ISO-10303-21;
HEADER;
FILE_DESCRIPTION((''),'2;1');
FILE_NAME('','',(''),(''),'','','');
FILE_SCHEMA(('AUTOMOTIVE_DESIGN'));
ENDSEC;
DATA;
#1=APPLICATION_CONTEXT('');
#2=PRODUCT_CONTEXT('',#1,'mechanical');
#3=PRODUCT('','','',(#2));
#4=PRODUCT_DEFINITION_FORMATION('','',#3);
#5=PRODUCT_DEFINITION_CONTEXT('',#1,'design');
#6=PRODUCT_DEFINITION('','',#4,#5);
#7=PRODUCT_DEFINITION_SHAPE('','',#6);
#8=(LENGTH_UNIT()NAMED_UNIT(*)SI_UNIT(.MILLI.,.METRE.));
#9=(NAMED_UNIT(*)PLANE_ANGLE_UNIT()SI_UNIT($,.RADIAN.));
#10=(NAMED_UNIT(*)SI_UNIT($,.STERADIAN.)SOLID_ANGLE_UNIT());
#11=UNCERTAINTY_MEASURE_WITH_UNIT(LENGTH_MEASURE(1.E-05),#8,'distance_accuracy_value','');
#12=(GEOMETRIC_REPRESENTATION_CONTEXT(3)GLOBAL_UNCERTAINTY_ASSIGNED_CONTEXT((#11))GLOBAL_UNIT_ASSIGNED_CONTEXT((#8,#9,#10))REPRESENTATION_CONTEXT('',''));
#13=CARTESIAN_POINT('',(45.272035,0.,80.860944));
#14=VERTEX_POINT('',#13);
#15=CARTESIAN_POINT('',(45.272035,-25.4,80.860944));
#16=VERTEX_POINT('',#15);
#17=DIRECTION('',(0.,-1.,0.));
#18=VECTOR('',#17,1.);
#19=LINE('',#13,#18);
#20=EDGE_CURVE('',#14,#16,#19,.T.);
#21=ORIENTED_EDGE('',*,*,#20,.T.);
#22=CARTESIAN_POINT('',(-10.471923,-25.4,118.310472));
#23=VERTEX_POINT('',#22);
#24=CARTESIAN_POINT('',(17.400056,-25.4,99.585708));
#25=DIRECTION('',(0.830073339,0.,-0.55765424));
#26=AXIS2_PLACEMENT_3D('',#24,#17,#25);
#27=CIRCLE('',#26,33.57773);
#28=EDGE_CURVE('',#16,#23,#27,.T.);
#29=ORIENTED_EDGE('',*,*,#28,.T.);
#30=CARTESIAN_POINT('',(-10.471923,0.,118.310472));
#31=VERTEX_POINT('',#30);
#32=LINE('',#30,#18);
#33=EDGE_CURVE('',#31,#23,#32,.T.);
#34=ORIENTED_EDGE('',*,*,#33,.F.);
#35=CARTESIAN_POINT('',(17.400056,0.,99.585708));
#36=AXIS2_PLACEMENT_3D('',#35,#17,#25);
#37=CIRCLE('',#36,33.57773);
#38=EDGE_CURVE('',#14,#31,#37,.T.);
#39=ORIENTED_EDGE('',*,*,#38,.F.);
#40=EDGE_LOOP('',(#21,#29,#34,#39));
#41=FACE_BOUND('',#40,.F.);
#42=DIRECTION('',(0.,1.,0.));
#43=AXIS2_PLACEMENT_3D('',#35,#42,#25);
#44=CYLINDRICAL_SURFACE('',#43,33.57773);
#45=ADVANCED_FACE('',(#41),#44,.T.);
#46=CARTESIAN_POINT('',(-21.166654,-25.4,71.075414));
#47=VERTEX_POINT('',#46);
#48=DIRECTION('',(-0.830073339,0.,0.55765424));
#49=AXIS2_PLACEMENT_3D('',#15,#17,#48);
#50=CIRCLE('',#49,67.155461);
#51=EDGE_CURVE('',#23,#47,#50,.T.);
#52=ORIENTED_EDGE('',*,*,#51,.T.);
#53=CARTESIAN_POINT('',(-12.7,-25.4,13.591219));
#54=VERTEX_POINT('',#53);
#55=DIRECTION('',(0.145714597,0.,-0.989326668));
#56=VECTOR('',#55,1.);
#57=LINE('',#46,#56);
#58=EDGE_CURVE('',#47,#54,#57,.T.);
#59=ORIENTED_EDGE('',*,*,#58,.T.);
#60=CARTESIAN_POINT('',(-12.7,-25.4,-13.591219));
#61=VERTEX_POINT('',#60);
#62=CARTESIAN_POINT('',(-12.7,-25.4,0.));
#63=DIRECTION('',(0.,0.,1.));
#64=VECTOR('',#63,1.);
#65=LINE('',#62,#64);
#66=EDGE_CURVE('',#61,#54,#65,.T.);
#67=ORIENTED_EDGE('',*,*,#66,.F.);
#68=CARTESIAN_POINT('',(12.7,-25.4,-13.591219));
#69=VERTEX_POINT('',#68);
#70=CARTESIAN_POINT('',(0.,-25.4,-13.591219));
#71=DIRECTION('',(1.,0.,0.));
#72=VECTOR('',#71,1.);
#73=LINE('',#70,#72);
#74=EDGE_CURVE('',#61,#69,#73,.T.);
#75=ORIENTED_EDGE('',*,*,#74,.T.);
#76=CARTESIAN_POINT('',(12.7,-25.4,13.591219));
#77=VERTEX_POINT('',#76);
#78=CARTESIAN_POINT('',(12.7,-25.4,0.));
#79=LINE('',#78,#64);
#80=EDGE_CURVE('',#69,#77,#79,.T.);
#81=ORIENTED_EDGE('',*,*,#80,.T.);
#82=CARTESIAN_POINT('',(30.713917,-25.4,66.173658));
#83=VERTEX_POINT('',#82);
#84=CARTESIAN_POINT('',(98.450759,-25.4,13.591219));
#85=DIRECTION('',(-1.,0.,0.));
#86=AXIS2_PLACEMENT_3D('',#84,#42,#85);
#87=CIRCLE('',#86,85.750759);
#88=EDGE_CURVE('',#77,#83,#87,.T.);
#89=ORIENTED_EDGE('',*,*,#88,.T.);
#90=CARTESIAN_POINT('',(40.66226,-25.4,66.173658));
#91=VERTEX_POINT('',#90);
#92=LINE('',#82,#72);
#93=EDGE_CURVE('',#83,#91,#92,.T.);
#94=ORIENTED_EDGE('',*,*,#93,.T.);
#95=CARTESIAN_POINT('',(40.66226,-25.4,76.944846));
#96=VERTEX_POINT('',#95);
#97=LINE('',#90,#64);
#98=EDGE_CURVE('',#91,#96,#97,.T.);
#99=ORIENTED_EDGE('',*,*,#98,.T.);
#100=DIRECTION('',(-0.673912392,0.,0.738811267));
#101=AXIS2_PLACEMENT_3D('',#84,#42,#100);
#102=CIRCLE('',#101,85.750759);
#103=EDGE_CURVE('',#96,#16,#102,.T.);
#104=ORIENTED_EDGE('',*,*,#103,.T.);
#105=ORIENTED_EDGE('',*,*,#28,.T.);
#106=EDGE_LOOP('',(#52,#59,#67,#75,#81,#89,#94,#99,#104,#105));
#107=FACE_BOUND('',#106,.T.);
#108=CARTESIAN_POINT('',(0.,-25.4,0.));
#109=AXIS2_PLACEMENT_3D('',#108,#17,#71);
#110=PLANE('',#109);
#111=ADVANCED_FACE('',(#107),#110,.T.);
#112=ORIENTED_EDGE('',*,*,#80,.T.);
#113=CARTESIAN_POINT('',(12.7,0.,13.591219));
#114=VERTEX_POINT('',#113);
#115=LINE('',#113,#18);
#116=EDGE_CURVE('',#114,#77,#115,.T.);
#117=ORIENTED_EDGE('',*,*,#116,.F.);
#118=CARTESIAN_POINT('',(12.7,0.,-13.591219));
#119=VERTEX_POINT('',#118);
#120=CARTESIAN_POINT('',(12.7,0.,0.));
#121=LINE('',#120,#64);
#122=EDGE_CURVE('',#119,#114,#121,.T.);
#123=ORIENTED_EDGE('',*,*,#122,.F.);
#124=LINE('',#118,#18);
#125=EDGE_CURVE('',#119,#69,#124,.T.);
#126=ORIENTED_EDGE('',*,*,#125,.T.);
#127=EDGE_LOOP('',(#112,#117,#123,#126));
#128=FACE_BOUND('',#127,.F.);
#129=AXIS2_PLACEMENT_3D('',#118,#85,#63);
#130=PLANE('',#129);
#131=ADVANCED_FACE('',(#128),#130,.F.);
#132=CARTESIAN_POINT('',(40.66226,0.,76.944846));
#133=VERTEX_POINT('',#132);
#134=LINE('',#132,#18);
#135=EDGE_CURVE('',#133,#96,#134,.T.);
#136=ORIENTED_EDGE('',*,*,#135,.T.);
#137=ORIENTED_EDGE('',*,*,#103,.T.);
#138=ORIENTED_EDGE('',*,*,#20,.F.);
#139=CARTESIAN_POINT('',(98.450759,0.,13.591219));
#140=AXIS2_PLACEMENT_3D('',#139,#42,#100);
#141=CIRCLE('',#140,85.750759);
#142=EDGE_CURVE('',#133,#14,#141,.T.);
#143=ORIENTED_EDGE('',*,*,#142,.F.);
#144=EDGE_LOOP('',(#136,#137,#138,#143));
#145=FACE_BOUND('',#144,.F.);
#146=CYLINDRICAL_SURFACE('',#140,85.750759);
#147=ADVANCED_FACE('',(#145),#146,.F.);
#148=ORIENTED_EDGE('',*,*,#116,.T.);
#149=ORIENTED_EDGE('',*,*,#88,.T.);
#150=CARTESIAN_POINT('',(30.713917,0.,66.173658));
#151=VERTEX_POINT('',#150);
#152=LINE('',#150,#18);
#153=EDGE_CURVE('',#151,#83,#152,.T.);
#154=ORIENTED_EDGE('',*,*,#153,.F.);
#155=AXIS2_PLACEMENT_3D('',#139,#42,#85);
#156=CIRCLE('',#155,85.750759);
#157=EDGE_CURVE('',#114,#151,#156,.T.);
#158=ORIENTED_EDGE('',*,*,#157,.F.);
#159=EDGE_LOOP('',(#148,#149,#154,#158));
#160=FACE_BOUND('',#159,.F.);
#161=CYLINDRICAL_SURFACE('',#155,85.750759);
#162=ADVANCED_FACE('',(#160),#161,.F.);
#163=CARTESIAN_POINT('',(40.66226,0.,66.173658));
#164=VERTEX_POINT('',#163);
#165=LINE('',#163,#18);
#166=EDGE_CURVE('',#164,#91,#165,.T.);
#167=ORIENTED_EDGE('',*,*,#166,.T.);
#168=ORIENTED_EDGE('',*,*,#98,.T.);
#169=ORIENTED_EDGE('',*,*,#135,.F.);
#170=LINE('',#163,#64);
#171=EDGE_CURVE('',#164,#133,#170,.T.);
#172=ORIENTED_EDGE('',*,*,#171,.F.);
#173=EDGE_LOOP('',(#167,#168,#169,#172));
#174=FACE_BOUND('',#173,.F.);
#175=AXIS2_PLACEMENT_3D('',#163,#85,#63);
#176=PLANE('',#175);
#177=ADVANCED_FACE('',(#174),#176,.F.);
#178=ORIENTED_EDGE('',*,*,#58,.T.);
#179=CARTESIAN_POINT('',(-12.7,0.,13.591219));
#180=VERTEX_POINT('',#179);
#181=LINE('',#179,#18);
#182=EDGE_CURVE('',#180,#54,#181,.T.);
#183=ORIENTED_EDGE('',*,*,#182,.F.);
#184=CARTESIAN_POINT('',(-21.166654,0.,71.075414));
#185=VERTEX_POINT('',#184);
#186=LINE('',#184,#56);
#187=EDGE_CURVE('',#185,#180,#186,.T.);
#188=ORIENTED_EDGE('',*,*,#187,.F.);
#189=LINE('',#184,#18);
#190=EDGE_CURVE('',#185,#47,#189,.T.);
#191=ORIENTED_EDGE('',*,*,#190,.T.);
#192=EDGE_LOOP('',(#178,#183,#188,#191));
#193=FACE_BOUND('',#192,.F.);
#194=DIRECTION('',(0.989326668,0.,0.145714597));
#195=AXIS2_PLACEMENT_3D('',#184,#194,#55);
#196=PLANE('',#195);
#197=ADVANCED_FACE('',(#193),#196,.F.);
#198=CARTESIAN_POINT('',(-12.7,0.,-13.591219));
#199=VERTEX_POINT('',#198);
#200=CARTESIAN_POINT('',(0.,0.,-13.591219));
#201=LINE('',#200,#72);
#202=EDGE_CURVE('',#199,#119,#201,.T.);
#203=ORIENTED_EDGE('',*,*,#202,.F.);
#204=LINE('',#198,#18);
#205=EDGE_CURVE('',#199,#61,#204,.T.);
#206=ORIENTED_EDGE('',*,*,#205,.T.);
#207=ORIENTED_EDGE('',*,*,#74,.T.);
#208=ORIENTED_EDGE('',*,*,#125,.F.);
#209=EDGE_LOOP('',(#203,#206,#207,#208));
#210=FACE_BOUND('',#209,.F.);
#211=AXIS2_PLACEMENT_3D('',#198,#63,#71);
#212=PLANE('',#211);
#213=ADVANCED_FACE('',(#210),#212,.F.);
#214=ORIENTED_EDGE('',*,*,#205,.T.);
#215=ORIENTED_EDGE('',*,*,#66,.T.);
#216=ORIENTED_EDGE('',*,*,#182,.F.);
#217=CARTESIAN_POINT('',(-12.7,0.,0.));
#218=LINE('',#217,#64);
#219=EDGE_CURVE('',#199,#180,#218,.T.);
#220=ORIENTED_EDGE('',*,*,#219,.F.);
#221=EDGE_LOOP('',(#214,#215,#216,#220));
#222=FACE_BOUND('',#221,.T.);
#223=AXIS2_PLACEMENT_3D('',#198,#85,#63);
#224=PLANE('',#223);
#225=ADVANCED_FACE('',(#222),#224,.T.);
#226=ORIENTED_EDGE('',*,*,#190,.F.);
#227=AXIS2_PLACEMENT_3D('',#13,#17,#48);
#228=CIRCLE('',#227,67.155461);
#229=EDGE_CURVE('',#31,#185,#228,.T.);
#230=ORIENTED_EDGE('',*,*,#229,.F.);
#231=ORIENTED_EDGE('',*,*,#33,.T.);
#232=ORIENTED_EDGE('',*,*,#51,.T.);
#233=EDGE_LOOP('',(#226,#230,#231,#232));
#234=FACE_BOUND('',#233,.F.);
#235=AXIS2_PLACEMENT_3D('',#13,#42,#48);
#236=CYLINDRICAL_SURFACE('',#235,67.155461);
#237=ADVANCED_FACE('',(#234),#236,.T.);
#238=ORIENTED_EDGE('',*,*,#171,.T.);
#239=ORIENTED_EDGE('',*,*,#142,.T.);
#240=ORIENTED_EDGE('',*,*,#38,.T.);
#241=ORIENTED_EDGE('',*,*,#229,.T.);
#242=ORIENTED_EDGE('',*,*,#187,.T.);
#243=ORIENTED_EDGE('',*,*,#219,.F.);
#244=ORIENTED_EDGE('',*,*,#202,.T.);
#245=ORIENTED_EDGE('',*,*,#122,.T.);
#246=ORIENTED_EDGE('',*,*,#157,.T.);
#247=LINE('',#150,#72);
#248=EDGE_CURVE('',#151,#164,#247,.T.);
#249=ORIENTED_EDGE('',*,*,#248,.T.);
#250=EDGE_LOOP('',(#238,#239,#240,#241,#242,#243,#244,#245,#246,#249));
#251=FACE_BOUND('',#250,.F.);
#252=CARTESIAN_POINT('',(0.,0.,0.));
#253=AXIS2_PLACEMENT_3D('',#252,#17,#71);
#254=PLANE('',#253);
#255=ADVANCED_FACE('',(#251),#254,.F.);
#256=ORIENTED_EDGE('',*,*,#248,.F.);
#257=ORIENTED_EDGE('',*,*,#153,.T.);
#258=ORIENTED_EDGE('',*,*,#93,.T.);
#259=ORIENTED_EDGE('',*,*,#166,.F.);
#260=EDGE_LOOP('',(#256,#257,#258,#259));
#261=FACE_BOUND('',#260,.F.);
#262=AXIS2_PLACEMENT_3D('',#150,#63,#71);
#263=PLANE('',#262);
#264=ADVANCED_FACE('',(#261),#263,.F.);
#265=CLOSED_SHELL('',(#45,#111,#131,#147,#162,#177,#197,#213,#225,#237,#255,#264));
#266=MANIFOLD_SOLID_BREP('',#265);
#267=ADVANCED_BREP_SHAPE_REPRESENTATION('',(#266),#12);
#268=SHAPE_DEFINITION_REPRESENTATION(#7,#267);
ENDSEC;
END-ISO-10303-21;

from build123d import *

# Parameters (mm, degrees)
F0_W     = 25.4
F0_H     = 27.1824385993
F1_DEPTH = 25.4


with BuildPart() as f1:
    # F0 (on Front) → F1 (new body)
    with BuildSketch(Plane.XZ):
        Rectangle(F0_W, F0_H)
        with BuildLine():
            Line((-12.7, 13.5912192996), (12.7, 13.5912192996))
            ThreePointArc((12.7, 13.5912192996), (17.3283875058, 41.3824681099), (30.7139166393, 66.1736578989))
            Line((30.7139166393, 66.1736578989), (21.6122598061, 66.1736578989))
            Line((21.6122598061, 66.1736578989), (21.6122598061, 94.7486578989))
            Line((21.6122598061, 94.7486578989), (40.6622598061, 94.7486578989))
            Line((40.6622598061, 94.7486578989), (40.6622598061, 76.9448460237))
            ThreePointArc((40.6622598061, 76.9448460237), (42.9326075911, 78.9435530103), (45.2720345813, 80.860944478))
            ThreePointArc((45.2720345813, 80.860944478), (36.1248195117, 127.4576869434), (-10.4719229536, 118.3104718738))
            ThreePointArc((-10.4719229536, 118.3104718738), (-20.2255792098, 95.6905935466), (-21.1666536119, 71.0754135783))
            Line((-21.1666536119, 71.0754135783), (-12.7, 13.5912192996))
        make_face()
        with BuildLine():
            ThreePointArc((40.6622598061, 76.9448460237), (35.4574461279, 71.7722745806), (30.7139166393, 66.1736578989))
            Line((30.7139166393, 66.1736578989), (40.6622598061, 66.1736578989))
            Line((40.6622598061, 66.1736578989), (40.6622598061, 76.9448460237))
        make_face()
        with BuildLine():
            Line((21.6122598061, 66.1736578989), (30.7139166393, 66.1736578989))
            ThreePointArc((30.7139166393, 66.1736578989), (35.4574461279, 71.7722745806), (40.6622598061, 76.9448460237))
            Line((40.6622598061, 76.9448460237), (40.6622598061, 94.7486578989))
            Line((40.6622598061, 94.7486578989), (21.6122598061, 94.7486578989))
            Line((21.6122598061, 94.7486578989), (21.6122598061, 66.1736578989))
        make_face()
    extrude(amount=F1_DEPTH)


solid = f1.part
